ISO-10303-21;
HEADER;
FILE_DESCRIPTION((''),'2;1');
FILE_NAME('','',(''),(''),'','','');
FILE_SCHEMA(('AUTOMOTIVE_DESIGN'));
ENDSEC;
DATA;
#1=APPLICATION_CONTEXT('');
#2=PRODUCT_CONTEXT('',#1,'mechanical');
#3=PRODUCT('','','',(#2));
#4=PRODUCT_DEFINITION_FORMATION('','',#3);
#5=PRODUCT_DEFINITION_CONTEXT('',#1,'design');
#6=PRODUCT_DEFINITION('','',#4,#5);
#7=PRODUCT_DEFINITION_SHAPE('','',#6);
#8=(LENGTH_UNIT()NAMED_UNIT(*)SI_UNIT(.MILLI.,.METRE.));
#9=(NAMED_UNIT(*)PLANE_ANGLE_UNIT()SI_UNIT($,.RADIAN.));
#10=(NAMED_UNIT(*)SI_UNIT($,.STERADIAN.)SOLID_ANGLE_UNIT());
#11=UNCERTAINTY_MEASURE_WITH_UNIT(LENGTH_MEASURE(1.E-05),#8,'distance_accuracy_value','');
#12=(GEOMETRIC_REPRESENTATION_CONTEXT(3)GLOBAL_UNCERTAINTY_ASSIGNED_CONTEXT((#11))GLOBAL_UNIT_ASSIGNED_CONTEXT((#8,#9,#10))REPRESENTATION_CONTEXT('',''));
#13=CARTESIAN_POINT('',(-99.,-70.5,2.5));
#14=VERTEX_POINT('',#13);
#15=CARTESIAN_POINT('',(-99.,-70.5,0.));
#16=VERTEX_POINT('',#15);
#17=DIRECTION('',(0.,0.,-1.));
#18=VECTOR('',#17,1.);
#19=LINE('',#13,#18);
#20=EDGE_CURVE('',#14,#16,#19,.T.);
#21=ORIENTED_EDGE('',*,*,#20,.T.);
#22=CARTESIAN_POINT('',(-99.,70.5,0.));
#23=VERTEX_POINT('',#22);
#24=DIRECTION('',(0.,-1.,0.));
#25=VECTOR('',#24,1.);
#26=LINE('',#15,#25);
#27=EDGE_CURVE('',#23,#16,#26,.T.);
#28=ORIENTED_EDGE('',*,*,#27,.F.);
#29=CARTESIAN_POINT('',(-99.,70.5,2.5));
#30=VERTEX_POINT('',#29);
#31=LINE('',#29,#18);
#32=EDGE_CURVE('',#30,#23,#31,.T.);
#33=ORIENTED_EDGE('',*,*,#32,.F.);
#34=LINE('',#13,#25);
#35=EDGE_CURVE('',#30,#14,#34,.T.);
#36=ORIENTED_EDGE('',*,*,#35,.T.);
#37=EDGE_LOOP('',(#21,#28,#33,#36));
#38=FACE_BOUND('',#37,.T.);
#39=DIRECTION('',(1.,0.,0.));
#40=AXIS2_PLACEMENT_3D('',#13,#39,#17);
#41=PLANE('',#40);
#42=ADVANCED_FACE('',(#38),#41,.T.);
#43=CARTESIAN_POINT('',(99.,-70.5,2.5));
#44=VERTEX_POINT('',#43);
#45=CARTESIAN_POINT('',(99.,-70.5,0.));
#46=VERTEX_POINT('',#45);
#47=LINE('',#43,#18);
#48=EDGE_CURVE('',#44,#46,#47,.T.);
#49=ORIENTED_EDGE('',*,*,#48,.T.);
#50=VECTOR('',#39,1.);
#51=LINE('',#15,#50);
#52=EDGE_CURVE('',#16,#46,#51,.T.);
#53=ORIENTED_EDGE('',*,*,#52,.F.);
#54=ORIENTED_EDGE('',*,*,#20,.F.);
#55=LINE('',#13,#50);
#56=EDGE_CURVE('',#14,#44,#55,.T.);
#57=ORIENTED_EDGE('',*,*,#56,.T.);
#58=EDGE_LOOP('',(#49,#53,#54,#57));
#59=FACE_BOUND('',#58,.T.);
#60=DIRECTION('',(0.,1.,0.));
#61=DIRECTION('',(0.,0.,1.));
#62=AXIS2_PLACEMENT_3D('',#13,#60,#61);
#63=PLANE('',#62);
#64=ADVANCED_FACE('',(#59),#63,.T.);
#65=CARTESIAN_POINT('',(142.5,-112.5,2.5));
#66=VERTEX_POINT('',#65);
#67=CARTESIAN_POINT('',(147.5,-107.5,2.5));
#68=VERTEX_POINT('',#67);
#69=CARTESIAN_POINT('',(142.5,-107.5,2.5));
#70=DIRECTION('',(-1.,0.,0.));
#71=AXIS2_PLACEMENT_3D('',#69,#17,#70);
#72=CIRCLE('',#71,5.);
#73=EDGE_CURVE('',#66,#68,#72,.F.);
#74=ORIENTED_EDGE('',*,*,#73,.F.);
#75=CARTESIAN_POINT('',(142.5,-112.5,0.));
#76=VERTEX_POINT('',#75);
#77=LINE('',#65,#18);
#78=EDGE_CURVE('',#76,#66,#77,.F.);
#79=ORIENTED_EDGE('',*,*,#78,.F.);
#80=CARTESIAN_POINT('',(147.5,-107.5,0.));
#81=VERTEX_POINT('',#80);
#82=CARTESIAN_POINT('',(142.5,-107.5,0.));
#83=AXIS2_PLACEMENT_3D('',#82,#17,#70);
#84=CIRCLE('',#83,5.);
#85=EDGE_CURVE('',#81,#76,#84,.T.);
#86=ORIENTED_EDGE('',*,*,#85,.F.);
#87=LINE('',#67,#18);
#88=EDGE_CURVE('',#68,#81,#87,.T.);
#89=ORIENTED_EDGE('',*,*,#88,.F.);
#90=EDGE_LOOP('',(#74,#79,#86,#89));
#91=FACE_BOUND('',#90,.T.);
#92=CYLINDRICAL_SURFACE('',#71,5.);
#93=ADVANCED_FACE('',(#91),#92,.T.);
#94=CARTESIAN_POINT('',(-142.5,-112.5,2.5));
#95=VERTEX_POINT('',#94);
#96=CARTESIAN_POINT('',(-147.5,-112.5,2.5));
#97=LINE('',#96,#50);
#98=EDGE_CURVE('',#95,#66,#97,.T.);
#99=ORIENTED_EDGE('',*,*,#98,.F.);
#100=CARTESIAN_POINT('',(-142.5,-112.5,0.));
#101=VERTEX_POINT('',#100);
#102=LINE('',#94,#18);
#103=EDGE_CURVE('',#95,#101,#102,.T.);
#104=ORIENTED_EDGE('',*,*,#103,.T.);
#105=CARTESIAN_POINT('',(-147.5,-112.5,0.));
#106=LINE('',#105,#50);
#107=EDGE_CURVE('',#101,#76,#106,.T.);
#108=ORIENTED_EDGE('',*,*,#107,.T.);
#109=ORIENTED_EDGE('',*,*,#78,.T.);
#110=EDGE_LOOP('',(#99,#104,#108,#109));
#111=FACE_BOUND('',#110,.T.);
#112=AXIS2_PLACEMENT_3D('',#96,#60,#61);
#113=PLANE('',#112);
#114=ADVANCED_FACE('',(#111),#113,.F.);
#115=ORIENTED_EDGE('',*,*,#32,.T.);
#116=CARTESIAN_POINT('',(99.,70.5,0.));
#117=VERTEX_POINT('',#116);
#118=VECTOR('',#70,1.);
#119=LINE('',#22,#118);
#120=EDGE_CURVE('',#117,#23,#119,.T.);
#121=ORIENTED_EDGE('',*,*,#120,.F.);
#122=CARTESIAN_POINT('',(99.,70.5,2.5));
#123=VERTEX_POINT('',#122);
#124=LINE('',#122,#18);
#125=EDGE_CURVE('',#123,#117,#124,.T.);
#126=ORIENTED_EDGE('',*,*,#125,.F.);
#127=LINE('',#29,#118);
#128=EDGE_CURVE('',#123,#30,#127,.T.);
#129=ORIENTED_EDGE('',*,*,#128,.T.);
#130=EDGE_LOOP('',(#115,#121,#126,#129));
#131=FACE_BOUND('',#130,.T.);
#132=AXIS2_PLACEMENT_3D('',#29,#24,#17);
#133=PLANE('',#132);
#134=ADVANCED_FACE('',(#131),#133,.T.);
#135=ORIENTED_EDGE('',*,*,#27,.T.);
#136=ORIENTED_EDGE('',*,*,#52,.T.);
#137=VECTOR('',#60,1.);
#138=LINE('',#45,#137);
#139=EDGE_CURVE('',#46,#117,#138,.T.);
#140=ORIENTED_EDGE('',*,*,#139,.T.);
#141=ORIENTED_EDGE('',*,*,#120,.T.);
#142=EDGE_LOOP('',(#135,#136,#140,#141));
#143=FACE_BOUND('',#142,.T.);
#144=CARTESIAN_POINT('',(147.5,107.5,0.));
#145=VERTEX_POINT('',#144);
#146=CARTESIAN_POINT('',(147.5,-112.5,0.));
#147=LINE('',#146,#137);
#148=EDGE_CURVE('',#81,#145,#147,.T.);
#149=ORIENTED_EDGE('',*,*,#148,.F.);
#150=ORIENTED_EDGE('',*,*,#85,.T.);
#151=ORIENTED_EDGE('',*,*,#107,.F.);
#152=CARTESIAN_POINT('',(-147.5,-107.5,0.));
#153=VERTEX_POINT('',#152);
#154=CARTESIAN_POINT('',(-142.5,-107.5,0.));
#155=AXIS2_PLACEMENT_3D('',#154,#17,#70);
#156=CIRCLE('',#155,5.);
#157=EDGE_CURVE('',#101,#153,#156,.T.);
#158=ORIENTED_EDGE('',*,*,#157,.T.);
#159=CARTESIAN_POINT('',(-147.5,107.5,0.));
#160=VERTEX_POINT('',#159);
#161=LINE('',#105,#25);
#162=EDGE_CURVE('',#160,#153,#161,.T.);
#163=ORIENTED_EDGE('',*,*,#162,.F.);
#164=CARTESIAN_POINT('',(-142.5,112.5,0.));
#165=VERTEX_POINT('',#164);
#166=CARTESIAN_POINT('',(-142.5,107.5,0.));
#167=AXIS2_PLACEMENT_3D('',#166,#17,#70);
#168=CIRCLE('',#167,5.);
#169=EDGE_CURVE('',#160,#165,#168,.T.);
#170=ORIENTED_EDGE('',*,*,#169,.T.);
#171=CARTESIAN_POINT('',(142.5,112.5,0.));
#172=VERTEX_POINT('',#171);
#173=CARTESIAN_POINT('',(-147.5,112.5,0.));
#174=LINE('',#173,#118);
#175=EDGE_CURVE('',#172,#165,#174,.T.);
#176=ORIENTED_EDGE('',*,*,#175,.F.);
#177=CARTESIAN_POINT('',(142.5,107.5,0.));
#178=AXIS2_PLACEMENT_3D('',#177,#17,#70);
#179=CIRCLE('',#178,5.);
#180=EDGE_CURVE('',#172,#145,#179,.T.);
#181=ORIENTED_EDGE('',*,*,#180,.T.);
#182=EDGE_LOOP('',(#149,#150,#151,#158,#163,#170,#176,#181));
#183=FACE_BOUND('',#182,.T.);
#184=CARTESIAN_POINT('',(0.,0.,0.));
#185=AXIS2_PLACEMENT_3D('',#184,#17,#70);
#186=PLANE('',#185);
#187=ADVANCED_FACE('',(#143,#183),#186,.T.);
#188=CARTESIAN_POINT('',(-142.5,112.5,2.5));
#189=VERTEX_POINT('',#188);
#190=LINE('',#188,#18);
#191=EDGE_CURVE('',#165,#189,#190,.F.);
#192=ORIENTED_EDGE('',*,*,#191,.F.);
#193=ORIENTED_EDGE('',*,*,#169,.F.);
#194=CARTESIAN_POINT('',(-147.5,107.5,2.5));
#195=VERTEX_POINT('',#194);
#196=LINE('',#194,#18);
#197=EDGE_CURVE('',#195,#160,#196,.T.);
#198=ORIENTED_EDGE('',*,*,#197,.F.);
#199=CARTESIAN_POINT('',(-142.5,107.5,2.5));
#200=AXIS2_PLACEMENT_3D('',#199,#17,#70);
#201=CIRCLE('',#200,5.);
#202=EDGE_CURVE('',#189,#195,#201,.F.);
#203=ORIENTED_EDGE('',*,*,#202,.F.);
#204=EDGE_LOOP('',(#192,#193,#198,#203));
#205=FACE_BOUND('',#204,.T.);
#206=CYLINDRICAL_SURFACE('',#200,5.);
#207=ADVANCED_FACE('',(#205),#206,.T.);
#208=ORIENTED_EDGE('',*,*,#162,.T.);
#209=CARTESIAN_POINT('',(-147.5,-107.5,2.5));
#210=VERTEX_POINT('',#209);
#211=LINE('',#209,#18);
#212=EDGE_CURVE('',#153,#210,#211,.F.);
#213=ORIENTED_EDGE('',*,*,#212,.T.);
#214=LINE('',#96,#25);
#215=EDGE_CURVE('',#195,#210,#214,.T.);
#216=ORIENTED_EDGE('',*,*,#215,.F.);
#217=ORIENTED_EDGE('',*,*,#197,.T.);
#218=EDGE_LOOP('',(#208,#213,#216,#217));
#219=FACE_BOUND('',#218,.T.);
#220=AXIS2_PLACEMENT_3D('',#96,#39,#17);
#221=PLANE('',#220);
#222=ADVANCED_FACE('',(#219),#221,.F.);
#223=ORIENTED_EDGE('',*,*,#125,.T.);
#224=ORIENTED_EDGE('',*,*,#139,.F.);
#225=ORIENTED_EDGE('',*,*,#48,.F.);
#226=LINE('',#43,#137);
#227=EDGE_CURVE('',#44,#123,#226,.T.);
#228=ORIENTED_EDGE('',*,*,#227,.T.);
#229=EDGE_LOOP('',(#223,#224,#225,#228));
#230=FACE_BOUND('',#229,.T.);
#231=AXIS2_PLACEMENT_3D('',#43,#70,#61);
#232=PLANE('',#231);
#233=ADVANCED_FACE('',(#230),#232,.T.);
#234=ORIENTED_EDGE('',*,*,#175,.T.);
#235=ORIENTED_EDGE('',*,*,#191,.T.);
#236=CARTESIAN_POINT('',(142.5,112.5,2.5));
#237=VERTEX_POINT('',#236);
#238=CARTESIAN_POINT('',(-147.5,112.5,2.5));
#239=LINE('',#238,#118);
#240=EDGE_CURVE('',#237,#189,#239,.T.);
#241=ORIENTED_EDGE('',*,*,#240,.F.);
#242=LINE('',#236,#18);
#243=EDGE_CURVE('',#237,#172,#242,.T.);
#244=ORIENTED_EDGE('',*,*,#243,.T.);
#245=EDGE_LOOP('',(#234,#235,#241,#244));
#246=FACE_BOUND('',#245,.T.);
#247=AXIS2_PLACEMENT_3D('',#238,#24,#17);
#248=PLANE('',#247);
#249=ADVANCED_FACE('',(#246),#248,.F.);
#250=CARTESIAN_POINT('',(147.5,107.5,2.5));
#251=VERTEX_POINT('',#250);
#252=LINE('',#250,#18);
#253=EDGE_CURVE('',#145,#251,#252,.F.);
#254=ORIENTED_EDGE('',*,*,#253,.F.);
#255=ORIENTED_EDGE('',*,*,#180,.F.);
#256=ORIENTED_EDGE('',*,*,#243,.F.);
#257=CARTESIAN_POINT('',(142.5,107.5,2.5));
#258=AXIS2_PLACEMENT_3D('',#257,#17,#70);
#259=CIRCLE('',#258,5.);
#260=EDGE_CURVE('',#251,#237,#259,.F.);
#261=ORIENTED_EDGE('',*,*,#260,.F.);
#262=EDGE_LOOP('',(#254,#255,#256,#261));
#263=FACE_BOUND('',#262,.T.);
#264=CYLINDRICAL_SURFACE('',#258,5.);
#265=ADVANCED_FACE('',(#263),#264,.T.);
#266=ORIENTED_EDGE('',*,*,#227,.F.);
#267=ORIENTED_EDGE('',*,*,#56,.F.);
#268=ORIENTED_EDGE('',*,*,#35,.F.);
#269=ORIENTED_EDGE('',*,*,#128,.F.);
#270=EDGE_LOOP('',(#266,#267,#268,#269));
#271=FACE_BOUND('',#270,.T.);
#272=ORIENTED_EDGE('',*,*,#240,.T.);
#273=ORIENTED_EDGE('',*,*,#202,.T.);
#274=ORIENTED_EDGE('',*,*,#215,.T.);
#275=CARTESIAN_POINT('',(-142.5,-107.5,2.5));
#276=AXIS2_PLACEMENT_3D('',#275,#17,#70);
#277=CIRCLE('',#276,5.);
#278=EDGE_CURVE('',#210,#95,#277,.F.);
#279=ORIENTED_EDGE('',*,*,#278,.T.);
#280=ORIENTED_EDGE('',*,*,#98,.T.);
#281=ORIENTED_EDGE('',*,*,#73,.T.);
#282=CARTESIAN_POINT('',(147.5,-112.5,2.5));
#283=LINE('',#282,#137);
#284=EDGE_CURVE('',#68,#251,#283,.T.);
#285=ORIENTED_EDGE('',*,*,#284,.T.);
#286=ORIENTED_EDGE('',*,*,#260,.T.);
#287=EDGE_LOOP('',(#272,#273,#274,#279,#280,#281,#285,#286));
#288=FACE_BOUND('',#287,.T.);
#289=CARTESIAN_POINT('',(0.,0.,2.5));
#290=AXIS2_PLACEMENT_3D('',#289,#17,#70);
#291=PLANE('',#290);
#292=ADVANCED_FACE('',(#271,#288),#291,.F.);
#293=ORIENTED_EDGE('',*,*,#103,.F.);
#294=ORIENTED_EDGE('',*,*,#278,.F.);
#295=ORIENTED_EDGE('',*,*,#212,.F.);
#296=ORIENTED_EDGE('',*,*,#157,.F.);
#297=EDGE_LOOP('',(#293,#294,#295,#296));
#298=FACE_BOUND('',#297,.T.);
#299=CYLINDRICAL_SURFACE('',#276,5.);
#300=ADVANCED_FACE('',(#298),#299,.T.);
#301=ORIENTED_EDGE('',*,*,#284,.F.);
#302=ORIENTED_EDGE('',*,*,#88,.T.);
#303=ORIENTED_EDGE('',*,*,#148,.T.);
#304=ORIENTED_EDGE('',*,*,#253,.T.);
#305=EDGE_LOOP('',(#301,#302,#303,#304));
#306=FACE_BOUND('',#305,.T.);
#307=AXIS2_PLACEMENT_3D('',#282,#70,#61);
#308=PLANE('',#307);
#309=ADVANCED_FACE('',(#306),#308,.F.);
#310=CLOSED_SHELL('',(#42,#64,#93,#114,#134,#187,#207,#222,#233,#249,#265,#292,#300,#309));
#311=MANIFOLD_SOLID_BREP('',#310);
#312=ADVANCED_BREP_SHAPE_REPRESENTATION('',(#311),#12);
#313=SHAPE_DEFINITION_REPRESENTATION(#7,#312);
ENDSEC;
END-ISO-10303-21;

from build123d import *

# Parameters (mm, degrees)
SKETCH1_W           = 295
SKETCH1_H           = 225
SKETCH1_W_2         = 198
SKETCH1_H_2         = 141
BOSS_EXTRUDE1_DEPTH = 2.5
FILLET1_R           = 5


with BuildPart() as part:
    # Sketch1 → Boss-Extrude1 (new body)
    with BuildSketch(Plane.XY):
        Rectangle(SKETCH1_W, SKETCH1_H)
        Rectangle(SKETCH1_W_2, SKETCH1_H_2, mode=Mode.SUBTRACT)
    extrude(amount=BOSS_EXTRUDE1_DEPTH)

    # Fillet1
    fillet1_edges = [part.edges().sort_by_distance(p)[0] for p in [
        (147.5, -112.5, 1.25),
        (-147.5, -112.5, 1.25),
        (-147.5, 112.5, 1.25),
        (147.5, 112.5, 1.25),
    ]]
    fillet(fillet1_edges, radius=FILLET1_R)


solid = part.part
